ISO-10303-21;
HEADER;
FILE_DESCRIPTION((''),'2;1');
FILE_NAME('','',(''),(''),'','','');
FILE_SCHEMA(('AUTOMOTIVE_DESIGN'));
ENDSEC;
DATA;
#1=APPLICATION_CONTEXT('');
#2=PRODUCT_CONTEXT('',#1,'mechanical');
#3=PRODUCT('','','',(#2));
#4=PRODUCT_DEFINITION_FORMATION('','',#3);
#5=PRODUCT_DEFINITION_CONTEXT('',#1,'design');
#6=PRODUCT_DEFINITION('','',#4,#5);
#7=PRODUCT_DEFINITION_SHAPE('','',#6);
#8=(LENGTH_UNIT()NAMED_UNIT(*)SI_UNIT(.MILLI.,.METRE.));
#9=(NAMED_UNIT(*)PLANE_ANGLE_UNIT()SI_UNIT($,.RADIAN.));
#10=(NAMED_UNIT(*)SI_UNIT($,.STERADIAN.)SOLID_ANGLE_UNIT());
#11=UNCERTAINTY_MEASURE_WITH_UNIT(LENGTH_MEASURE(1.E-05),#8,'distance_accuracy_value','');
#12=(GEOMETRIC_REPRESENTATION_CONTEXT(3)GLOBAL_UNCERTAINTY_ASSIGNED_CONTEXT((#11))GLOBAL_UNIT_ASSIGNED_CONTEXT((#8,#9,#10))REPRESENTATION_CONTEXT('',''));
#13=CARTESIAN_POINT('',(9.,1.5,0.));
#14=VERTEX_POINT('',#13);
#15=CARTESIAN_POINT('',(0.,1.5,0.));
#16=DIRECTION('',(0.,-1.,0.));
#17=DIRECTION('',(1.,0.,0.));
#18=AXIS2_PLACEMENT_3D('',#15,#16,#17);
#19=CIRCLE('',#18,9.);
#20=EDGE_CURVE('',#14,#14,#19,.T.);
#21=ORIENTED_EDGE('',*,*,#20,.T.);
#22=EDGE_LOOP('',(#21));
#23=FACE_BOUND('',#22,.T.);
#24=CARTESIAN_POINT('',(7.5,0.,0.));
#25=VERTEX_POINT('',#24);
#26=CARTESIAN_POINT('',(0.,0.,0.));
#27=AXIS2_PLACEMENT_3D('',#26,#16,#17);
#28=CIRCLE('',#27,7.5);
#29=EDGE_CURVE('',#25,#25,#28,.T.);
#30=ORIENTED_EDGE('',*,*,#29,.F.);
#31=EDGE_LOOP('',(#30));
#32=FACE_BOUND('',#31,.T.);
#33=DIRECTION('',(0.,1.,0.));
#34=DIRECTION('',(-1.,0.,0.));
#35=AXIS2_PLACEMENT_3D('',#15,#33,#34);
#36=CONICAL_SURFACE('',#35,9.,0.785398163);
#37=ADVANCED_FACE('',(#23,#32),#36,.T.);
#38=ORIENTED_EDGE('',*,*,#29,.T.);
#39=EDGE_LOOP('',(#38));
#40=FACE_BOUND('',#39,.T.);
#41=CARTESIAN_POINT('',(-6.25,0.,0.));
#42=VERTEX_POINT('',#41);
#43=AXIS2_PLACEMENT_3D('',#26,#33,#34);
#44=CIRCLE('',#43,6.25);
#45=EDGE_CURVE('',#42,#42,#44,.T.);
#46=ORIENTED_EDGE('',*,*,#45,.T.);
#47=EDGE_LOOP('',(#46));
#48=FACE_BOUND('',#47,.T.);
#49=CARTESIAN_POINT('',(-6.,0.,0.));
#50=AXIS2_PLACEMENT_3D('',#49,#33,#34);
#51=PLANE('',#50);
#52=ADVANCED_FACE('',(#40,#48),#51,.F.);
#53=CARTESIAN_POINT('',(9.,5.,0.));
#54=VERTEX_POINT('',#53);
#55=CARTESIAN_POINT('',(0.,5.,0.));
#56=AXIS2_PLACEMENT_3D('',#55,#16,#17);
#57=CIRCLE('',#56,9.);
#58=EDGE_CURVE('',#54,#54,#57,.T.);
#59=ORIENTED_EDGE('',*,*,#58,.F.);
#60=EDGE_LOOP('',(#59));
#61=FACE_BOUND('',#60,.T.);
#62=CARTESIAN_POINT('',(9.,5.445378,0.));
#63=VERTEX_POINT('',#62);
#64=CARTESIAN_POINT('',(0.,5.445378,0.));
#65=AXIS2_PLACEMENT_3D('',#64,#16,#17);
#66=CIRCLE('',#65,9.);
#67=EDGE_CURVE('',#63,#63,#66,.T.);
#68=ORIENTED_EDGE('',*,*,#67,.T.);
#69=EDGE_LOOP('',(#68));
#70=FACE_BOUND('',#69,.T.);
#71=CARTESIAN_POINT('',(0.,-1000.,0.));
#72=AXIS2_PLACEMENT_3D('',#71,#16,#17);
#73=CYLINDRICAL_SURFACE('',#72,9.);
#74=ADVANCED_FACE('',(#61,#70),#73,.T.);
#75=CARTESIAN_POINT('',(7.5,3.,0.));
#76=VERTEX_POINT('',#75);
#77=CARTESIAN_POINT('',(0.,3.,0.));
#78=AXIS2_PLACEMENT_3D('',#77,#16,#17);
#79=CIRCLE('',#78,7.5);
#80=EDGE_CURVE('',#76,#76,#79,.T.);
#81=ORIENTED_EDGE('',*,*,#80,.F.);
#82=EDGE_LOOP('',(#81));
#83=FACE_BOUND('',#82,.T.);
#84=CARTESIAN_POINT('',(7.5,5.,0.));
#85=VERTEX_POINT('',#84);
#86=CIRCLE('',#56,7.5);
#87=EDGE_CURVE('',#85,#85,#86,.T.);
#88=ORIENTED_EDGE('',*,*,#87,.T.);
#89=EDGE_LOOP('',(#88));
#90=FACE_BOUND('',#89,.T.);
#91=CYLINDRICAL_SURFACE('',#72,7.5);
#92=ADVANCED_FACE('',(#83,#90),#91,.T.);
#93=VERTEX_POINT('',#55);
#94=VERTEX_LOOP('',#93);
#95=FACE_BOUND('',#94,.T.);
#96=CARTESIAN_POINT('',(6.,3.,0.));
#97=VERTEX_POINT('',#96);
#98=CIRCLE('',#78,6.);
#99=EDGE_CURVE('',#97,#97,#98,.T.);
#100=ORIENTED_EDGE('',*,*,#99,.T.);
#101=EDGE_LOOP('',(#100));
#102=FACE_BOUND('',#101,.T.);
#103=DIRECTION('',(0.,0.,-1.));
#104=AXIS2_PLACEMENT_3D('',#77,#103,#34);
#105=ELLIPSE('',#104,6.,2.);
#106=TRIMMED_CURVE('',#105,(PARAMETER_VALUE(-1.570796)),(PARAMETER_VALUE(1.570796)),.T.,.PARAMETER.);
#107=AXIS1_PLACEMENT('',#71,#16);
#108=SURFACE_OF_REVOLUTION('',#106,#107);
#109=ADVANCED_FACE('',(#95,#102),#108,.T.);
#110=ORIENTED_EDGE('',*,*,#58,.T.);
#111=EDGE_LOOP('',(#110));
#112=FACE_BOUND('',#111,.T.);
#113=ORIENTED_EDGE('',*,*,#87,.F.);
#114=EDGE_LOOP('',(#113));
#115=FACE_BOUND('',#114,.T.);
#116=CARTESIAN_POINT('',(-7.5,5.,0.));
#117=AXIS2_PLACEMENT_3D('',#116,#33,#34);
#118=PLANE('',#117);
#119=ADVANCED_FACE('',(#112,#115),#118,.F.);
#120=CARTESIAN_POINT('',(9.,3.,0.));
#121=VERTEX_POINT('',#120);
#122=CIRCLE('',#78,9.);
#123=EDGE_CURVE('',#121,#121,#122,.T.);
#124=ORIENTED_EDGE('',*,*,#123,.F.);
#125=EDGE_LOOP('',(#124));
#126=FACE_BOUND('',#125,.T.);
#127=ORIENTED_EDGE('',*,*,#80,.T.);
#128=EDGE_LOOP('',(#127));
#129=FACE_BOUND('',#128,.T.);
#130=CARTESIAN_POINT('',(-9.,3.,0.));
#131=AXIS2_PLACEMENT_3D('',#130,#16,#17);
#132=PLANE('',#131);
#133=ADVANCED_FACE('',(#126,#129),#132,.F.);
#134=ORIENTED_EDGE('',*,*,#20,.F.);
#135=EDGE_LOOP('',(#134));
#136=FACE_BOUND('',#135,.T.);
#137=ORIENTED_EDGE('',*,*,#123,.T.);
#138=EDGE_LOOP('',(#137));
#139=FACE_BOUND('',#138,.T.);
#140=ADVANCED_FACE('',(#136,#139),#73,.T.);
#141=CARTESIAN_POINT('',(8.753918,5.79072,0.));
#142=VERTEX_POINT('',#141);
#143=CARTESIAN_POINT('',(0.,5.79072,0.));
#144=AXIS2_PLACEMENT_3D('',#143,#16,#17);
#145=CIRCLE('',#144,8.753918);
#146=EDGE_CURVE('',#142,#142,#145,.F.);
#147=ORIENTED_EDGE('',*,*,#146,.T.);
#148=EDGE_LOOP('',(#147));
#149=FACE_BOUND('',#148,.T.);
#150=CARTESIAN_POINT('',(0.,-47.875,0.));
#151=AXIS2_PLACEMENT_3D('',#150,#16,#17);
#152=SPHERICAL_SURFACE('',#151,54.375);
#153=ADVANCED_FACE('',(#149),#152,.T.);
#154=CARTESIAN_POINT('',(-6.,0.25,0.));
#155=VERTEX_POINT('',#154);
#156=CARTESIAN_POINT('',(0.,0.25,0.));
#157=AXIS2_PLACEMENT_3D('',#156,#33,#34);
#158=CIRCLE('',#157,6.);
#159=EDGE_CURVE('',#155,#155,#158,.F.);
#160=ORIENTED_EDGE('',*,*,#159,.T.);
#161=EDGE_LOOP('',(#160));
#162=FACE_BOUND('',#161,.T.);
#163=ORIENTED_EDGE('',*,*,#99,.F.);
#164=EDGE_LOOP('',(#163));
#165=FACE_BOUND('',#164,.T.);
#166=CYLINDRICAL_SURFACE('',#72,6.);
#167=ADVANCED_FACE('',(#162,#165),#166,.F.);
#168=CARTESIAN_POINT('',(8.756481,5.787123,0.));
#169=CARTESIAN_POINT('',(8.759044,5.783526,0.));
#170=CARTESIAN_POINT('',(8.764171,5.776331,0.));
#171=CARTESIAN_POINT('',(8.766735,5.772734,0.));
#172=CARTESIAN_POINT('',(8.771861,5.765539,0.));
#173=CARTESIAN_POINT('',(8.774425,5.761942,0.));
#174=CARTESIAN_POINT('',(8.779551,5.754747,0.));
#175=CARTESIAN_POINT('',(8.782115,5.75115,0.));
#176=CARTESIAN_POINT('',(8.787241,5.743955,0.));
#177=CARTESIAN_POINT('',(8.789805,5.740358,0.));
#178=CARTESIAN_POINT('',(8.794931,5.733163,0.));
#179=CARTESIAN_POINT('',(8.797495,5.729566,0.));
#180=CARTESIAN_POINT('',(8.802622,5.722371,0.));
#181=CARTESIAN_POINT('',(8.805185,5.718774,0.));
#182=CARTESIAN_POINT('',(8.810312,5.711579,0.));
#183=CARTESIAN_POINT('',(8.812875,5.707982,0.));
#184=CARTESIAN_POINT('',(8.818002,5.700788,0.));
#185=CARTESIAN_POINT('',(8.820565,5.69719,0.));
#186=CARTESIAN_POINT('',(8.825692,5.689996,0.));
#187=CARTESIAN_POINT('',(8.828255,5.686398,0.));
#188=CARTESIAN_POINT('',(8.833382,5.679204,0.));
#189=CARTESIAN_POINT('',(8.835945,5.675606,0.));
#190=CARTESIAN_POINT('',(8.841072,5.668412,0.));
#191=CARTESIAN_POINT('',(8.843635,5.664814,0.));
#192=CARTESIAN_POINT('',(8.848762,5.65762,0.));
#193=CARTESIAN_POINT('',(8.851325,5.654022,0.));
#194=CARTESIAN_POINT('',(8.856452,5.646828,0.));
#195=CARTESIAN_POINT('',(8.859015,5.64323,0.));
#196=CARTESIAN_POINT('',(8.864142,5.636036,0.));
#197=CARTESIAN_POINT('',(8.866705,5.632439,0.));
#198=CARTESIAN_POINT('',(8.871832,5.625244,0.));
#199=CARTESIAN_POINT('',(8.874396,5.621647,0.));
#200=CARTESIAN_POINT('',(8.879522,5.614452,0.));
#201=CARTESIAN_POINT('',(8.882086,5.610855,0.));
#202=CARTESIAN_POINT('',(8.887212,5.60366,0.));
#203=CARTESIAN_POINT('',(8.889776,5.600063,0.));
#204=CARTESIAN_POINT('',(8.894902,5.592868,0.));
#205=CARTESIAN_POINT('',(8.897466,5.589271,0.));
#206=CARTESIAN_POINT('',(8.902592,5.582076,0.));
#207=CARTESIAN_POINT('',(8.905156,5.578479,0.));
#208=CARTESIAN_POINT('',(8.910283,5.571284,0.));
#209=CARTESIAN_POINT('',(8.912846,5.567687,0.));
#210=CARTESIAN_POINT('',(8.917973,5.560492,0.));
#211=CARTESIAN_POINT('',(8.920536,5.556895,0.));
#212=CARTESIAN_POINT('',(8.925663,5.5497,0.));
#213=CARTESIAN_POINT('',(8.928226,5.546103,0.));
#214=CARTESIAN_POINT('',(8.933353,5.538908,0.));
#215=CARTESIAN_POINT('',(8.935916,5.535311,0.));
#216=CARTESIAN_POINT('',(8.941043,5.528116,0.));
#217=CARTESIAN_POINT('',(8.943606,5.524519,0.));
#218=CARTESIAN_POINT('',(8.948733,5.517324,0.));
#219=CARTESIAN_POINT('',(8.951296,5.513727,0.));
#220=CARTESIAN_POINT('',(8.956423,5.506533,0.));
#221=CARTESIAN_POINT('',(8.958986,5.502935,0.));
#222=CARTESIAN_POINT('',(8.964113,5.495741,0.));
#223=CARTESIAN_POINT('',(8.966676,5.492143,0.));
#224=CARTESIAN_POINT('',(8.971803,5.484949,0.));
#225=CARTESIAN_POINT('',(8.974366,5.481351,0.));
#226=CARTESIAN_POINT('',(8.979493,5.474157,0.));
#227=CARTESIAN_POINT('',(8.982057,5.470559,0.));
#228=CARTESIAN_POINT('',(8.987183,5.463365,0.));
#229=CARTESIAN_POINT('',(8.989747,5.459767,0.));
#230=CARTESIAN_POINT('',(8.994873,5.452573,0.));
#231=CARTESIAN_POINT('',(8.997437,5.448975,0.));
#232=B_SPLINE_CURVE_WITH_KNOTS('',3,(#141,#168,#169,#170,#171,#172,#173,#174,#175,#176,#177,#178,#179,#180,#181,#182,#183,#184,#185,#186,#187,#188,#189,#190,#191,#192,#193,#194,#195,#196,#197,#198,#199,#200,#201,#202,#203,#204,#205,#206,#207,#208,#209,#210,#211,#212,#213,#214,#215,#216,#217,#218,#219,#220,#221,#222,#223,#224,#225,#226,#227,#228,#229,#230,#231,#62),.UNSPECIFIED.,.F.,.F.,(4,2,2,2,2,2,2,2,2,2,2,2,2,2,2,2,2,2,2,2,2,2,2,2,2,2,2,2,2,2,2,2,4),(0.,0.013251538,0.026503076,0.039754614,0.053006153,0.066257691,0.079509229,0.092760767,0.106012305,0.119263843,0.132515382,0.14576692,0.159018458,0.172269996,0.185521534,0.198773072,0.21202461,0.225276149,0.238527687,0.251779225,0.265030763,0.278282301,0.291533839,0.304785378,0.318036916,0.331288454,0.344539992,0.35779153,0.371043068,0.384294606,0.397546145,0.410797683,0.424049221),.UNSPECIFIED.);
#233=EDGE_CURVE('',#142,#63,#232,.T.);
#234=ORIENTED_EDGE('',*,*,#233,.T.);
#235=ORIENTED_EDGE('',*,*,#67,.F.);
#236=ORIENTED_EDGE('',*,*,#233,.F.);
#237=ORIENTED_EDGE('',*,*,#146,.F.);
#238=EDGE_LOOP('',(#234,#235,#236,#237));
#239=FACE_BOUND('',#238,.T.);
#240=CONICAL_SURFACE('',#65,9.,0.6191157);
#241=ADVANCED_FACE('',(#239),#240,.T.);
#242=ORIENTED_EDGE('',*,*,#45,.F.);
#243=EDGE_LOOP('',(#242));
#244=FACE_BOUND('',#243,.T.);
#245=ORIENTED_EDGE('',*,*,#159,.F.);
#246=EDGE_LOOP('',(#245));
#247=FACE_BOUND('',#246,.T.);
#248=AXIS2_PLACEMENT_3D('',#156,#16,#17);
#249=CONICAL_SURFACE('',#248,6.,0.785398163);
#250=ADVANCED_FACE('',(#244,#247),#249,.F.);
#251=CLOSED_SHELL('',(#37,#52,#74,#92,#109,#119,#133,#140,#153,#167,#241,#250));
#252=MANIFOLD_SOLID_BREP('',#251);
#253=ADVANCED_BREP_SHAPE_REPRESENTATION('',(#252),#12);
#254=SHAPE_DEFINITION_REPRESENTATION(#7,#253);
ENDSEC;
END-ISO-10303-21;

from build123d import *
from OCP.BRepFilletAPI import BRepFilletAPI_MakeChamfer

# Parameters (mm, degrees)
CHAMFER1_SIZE  = 0.25
CHAMFER1_SIZE2 = 0.304621849


with BuildPart() as part:
    # Sketch1 → Revolve1 (revolve)
    with BuildSketch(Plane.XY, mode=Mode.PRIVATE) as revolve1_sk:
        with BuildLine():
            Line((-6, 0), (-7.5, 0))
            Line((-7.5, 0), (-9, 1.5))
            Line((-9, 1.5), (-9, 3))
            Line((-9, 3), (-7.5, 3))
            Line((-7.5, 3), (-7.5, 5))
            Line((-7.5, 5), (-9, 5))
            Line((-9, 5), (-9, 5.75))
            ThreePointArc((-9, 5.75), (-4.515597967, 6.312175605), (0, 6.5))
            Line((0, 6.5), (0, 5))
            add(Edge.make_bspline(
                [(0, 5), (-6, 5), (-6, 3)],
                knots=[1.570796327, 1.570796327, 1.570796327, 3.141592654, 3.141592654, 3.141592654], degree=2, weights=[1, 0.707106781, 1]))
            Line((-6, 3), (-6, 0))
        make_face()
    revolve(revolve1_sk.sketch.rotate(Axis((0, -1000, 0), (0, 1, 0)), 180), axis=Axis((0, -1000, 0), (0, 1, 0)))

    # Chamfer1: one chamfer whose edges measure the first distance from different faces: ONE call of the kernel's chamfer builder (chamfer() names one face for all edges)
    chamfer1_edges_1 = [part.edges().sort_by_distance(p)[0] for p in [
        (-9, 5.75, 0),
    ]]
    chamfer1_side_1 = [part.faces().sort_by_distance(p)[0] for p in [
        (-4.515597967, 6.312175605, 0),
    ]]
    chamfer1_edges_2 = [part.edges().sort_by_distance(p)[0] for p in [
        (-6, 0, 0),
    ]]
    chamfer1 = BRepFilletAPI_MakeChamfer(part.part.solid().wrapped)
    for e in chamfer1_edges_1:
        chamfer1.Add(CHAMFER1_SIZE, CHAMFER1_SIZE2, e.wrapped, chamfer1_side_1[0].wrapped)  # the first distance lies on this face
    for e in chamfer1_edges_2:
        chamfer1.Add(CHAMFER1_SIZE, e.wrapped)
    add(Compound.cast(chamfer1.Shape()), mode=Mode.REPLACE)


solid = part.part
